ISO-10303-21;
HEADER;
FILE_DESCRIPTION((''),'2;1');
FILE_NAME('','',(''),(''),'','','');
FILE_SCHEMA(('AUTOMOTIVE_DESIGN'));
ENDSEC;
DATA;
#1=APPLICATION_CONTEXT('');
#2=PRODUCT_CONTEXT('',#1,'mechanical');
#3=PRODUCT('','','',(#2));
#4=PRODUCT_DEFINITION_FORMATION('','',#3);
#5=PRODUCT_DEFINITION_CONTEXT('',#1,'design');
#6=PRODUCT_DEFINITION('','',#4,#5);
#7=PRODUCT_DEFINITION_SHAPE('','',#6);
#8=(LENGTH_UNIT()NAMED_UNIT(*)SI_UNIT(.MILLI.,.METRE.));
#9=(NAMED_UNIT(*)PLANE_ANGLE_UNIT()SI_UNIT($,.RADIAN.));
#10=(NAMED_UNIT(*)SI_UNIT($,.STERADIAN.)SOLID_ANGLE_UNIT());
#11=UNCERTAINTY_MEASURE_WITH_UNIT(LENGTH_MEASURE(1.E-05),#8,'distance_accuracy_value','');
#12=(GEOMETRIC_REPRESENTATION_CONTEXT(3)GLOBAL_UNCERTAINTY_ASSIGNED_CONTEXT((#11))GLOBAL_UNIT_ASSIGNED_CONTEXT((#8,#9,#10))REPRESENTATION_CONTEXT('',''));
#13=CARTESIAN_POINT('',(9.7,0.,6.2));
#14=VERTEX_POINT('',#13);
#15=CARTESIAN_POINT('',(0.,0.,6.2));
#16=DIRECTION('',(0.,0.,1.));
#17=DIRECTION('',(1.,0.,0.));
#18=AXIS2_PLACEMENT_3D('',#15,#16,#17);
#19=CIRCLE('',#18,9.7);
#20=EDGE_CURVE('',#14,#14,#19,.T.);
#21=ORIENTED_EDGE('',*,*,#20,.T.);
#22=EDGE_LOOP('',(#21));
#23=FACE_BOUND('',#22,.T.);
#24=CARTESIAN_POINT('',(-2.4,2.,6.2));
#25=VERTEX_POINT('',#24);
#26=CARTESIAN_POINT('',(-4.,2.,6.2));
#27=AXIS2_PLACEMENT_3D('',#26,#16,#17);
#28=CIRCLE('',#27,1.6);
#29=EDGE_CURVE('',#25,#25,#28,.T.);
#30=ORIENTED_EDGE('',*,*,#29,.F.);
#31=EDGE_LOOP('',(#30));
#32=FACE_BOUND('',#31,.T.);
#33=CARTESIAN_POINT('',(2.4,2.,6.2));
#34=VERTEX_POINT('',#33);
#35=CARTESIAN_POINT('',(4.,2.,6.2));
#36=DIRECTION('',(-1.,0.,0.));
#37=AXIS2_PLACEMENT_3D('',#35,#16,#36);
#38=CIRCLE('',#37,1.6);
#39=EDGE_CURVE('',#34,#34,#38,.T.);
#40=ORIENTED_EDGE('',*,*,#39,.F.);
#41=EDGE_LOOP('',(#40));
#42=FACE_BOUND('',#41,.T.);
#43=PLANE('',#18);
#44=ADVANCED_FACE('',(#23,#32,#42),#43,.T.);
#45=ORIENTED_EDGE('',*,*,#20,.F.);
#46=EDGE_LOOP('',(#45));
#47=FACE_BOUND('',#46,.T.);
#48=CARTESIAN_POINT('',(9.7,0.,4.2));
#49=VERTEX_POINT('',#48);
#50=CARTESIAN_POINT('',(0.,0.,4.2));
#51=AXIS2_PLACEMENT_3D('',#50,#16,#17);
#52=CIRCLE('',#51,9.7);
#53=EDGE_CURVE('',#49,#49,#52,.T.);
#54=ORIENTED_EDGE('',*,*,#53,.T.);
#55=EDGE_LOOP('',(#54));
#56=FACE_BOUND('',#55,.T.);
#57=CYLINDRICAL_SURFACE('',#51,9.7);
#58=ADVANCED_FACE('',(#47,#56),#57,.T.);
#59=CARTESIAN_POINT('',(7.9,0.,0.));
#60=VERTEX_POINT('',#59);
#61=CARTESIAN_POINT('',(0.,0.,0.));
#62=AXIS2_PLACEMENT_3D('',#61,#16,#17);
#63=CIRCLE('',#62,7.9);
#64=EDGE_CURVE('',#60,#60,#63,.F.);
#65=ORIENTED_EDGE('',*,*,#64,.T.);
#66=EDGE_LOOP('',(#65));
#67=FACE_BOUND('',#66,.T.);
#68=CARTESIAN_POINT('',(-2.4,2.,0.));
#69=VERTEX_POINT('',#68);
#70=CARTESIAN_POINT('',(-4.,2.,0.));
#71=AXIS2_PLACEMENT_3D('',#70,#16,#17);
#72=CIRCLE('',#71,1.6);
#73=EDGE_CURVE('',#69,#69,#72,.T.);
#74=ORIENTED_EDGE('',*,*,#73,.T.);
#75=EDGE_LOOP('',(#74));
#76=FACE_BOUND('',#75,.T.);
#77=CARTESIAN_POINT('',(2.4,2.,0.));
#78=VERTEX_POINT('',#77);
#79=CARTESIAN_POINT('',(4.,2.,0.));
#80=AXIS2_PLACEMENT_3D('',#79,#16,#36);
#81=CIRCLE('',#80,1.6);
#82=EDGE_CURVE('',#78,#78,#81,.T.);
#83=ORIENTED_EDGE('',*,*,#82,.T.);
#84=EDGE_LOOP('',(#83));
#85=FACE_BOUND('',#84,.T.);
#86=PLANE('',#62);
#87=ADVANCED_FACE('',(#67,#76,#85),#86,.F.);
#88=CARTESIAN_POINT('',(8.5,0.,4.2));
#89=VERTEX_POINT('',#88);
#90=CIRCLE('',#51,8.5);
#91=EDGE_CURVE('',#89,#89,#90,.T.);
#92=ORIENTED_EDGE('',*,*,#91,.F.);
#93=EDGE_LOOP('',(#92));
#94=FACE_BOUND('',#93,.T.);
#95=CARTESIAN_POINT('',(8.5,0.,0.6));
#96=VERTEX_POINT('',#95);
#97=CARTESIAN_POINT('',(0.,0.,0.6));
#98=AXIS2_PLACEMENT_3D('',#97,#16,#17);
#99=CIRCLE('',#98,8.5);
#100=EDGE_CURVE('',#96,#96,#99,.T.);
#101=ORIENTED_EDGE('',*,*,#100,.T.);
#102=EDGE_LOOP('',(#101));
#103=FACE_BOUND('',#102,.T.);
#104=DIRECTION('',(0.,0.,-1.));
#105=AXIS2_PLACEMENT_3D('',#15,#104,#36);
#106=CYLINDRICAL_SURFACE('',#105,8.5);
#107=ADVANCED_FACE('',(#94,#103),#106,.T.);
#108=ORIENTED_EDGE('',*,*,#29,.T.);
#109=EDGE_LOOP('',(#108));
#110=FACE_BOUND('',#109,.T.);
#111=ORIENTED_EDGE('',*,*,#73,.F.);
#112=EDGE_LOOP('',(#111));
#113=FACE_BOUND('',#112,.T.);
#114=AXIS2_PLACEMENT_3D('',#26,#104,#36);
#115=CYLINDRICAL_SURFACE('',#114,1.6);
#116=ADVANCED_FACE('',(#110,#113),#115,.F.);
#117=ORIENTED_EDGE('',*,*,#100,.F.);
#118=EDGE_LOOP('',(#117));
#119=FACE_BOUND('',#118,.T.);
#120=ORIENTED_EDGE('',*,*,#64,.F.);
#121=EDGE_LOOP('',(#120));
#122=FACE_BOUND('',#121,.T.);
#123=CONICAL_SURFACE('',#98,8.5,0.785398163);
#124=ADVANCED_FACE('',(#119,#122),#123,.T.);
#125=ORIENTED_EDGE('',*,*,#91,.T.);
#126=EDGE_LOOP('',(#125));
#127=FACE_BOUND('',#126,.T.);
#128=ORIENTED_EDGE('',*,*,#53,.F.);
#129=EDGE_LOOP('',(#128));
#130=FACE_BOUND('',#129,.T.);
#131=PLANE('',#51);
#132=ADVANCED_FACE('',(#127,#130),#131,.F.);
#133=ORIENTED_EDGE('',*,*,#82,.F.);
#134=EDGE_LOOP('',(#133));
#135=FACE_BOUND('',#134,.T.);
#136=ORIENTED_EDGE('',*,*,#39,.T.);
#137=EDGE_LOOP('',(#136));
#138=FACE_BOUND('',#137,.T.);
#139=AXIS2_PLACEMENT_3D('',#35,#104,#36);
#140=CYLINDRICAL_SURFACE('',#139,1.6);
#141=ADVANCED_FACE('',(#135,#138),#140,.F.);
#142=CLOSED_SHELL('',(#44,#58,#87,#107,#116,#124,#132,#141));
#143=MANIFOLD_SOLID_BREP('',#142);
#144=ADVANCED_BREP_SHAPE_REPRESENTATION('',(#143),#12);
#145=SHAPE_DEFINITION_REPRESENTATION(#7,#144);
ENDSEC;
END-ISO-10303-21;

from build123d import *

# Parameters (mm, degrees)
ESQUISSE1_R        = 8.5
ESQUISSE1_R_2      = 1.6
BOSS_EXTRU_1_DEPTH = 6.2
ESQUISSE2_R        = 9.7
ESQUISSE2_R_2      = 8.5
BOSS_EXTRU_2_DEPTH = 2
CHANFREIN1_SIZE    = 0.6


with BuildPart() as part:
    # Esquisse1 → Boss.-Extru.1 (new body)
    with BuildSketch(Plane.XY):
        Circle(ESQUISSE1_R)
        with Locations((-4, 2)):
            Circle(ESQUISSE1_R_2, mode=Mode.SUBTRACT)
        with Locations((4, 2)):
            Circle(ESQUISSE1_R_2, mode=Mode.SUBTRACT)
    extrude(amount=BOSS_EXTRU_1_DEPTH)

    # Esquisse2 → Boss.-Extru.2 (add)
    with BuildSketch(Plane.XY.offset(6.2)):
        Circle(ESQUISSE2_R)
        Circle(ESQUISSE2_R_2, mode=Mode.SUBTRACT)
    extrude(amount=-BOSS_EXTRU_2_DEPTH)

    # Chanfrein1
    chanfrein1_edges = [part.edges().sort_by_distance(p)[0] for p in [
        (-8.5, 0, 0),
    ]]
    chamfer(chanfrein1_edges, length=CHANFREIN1_SIZE)


solid = part.part
